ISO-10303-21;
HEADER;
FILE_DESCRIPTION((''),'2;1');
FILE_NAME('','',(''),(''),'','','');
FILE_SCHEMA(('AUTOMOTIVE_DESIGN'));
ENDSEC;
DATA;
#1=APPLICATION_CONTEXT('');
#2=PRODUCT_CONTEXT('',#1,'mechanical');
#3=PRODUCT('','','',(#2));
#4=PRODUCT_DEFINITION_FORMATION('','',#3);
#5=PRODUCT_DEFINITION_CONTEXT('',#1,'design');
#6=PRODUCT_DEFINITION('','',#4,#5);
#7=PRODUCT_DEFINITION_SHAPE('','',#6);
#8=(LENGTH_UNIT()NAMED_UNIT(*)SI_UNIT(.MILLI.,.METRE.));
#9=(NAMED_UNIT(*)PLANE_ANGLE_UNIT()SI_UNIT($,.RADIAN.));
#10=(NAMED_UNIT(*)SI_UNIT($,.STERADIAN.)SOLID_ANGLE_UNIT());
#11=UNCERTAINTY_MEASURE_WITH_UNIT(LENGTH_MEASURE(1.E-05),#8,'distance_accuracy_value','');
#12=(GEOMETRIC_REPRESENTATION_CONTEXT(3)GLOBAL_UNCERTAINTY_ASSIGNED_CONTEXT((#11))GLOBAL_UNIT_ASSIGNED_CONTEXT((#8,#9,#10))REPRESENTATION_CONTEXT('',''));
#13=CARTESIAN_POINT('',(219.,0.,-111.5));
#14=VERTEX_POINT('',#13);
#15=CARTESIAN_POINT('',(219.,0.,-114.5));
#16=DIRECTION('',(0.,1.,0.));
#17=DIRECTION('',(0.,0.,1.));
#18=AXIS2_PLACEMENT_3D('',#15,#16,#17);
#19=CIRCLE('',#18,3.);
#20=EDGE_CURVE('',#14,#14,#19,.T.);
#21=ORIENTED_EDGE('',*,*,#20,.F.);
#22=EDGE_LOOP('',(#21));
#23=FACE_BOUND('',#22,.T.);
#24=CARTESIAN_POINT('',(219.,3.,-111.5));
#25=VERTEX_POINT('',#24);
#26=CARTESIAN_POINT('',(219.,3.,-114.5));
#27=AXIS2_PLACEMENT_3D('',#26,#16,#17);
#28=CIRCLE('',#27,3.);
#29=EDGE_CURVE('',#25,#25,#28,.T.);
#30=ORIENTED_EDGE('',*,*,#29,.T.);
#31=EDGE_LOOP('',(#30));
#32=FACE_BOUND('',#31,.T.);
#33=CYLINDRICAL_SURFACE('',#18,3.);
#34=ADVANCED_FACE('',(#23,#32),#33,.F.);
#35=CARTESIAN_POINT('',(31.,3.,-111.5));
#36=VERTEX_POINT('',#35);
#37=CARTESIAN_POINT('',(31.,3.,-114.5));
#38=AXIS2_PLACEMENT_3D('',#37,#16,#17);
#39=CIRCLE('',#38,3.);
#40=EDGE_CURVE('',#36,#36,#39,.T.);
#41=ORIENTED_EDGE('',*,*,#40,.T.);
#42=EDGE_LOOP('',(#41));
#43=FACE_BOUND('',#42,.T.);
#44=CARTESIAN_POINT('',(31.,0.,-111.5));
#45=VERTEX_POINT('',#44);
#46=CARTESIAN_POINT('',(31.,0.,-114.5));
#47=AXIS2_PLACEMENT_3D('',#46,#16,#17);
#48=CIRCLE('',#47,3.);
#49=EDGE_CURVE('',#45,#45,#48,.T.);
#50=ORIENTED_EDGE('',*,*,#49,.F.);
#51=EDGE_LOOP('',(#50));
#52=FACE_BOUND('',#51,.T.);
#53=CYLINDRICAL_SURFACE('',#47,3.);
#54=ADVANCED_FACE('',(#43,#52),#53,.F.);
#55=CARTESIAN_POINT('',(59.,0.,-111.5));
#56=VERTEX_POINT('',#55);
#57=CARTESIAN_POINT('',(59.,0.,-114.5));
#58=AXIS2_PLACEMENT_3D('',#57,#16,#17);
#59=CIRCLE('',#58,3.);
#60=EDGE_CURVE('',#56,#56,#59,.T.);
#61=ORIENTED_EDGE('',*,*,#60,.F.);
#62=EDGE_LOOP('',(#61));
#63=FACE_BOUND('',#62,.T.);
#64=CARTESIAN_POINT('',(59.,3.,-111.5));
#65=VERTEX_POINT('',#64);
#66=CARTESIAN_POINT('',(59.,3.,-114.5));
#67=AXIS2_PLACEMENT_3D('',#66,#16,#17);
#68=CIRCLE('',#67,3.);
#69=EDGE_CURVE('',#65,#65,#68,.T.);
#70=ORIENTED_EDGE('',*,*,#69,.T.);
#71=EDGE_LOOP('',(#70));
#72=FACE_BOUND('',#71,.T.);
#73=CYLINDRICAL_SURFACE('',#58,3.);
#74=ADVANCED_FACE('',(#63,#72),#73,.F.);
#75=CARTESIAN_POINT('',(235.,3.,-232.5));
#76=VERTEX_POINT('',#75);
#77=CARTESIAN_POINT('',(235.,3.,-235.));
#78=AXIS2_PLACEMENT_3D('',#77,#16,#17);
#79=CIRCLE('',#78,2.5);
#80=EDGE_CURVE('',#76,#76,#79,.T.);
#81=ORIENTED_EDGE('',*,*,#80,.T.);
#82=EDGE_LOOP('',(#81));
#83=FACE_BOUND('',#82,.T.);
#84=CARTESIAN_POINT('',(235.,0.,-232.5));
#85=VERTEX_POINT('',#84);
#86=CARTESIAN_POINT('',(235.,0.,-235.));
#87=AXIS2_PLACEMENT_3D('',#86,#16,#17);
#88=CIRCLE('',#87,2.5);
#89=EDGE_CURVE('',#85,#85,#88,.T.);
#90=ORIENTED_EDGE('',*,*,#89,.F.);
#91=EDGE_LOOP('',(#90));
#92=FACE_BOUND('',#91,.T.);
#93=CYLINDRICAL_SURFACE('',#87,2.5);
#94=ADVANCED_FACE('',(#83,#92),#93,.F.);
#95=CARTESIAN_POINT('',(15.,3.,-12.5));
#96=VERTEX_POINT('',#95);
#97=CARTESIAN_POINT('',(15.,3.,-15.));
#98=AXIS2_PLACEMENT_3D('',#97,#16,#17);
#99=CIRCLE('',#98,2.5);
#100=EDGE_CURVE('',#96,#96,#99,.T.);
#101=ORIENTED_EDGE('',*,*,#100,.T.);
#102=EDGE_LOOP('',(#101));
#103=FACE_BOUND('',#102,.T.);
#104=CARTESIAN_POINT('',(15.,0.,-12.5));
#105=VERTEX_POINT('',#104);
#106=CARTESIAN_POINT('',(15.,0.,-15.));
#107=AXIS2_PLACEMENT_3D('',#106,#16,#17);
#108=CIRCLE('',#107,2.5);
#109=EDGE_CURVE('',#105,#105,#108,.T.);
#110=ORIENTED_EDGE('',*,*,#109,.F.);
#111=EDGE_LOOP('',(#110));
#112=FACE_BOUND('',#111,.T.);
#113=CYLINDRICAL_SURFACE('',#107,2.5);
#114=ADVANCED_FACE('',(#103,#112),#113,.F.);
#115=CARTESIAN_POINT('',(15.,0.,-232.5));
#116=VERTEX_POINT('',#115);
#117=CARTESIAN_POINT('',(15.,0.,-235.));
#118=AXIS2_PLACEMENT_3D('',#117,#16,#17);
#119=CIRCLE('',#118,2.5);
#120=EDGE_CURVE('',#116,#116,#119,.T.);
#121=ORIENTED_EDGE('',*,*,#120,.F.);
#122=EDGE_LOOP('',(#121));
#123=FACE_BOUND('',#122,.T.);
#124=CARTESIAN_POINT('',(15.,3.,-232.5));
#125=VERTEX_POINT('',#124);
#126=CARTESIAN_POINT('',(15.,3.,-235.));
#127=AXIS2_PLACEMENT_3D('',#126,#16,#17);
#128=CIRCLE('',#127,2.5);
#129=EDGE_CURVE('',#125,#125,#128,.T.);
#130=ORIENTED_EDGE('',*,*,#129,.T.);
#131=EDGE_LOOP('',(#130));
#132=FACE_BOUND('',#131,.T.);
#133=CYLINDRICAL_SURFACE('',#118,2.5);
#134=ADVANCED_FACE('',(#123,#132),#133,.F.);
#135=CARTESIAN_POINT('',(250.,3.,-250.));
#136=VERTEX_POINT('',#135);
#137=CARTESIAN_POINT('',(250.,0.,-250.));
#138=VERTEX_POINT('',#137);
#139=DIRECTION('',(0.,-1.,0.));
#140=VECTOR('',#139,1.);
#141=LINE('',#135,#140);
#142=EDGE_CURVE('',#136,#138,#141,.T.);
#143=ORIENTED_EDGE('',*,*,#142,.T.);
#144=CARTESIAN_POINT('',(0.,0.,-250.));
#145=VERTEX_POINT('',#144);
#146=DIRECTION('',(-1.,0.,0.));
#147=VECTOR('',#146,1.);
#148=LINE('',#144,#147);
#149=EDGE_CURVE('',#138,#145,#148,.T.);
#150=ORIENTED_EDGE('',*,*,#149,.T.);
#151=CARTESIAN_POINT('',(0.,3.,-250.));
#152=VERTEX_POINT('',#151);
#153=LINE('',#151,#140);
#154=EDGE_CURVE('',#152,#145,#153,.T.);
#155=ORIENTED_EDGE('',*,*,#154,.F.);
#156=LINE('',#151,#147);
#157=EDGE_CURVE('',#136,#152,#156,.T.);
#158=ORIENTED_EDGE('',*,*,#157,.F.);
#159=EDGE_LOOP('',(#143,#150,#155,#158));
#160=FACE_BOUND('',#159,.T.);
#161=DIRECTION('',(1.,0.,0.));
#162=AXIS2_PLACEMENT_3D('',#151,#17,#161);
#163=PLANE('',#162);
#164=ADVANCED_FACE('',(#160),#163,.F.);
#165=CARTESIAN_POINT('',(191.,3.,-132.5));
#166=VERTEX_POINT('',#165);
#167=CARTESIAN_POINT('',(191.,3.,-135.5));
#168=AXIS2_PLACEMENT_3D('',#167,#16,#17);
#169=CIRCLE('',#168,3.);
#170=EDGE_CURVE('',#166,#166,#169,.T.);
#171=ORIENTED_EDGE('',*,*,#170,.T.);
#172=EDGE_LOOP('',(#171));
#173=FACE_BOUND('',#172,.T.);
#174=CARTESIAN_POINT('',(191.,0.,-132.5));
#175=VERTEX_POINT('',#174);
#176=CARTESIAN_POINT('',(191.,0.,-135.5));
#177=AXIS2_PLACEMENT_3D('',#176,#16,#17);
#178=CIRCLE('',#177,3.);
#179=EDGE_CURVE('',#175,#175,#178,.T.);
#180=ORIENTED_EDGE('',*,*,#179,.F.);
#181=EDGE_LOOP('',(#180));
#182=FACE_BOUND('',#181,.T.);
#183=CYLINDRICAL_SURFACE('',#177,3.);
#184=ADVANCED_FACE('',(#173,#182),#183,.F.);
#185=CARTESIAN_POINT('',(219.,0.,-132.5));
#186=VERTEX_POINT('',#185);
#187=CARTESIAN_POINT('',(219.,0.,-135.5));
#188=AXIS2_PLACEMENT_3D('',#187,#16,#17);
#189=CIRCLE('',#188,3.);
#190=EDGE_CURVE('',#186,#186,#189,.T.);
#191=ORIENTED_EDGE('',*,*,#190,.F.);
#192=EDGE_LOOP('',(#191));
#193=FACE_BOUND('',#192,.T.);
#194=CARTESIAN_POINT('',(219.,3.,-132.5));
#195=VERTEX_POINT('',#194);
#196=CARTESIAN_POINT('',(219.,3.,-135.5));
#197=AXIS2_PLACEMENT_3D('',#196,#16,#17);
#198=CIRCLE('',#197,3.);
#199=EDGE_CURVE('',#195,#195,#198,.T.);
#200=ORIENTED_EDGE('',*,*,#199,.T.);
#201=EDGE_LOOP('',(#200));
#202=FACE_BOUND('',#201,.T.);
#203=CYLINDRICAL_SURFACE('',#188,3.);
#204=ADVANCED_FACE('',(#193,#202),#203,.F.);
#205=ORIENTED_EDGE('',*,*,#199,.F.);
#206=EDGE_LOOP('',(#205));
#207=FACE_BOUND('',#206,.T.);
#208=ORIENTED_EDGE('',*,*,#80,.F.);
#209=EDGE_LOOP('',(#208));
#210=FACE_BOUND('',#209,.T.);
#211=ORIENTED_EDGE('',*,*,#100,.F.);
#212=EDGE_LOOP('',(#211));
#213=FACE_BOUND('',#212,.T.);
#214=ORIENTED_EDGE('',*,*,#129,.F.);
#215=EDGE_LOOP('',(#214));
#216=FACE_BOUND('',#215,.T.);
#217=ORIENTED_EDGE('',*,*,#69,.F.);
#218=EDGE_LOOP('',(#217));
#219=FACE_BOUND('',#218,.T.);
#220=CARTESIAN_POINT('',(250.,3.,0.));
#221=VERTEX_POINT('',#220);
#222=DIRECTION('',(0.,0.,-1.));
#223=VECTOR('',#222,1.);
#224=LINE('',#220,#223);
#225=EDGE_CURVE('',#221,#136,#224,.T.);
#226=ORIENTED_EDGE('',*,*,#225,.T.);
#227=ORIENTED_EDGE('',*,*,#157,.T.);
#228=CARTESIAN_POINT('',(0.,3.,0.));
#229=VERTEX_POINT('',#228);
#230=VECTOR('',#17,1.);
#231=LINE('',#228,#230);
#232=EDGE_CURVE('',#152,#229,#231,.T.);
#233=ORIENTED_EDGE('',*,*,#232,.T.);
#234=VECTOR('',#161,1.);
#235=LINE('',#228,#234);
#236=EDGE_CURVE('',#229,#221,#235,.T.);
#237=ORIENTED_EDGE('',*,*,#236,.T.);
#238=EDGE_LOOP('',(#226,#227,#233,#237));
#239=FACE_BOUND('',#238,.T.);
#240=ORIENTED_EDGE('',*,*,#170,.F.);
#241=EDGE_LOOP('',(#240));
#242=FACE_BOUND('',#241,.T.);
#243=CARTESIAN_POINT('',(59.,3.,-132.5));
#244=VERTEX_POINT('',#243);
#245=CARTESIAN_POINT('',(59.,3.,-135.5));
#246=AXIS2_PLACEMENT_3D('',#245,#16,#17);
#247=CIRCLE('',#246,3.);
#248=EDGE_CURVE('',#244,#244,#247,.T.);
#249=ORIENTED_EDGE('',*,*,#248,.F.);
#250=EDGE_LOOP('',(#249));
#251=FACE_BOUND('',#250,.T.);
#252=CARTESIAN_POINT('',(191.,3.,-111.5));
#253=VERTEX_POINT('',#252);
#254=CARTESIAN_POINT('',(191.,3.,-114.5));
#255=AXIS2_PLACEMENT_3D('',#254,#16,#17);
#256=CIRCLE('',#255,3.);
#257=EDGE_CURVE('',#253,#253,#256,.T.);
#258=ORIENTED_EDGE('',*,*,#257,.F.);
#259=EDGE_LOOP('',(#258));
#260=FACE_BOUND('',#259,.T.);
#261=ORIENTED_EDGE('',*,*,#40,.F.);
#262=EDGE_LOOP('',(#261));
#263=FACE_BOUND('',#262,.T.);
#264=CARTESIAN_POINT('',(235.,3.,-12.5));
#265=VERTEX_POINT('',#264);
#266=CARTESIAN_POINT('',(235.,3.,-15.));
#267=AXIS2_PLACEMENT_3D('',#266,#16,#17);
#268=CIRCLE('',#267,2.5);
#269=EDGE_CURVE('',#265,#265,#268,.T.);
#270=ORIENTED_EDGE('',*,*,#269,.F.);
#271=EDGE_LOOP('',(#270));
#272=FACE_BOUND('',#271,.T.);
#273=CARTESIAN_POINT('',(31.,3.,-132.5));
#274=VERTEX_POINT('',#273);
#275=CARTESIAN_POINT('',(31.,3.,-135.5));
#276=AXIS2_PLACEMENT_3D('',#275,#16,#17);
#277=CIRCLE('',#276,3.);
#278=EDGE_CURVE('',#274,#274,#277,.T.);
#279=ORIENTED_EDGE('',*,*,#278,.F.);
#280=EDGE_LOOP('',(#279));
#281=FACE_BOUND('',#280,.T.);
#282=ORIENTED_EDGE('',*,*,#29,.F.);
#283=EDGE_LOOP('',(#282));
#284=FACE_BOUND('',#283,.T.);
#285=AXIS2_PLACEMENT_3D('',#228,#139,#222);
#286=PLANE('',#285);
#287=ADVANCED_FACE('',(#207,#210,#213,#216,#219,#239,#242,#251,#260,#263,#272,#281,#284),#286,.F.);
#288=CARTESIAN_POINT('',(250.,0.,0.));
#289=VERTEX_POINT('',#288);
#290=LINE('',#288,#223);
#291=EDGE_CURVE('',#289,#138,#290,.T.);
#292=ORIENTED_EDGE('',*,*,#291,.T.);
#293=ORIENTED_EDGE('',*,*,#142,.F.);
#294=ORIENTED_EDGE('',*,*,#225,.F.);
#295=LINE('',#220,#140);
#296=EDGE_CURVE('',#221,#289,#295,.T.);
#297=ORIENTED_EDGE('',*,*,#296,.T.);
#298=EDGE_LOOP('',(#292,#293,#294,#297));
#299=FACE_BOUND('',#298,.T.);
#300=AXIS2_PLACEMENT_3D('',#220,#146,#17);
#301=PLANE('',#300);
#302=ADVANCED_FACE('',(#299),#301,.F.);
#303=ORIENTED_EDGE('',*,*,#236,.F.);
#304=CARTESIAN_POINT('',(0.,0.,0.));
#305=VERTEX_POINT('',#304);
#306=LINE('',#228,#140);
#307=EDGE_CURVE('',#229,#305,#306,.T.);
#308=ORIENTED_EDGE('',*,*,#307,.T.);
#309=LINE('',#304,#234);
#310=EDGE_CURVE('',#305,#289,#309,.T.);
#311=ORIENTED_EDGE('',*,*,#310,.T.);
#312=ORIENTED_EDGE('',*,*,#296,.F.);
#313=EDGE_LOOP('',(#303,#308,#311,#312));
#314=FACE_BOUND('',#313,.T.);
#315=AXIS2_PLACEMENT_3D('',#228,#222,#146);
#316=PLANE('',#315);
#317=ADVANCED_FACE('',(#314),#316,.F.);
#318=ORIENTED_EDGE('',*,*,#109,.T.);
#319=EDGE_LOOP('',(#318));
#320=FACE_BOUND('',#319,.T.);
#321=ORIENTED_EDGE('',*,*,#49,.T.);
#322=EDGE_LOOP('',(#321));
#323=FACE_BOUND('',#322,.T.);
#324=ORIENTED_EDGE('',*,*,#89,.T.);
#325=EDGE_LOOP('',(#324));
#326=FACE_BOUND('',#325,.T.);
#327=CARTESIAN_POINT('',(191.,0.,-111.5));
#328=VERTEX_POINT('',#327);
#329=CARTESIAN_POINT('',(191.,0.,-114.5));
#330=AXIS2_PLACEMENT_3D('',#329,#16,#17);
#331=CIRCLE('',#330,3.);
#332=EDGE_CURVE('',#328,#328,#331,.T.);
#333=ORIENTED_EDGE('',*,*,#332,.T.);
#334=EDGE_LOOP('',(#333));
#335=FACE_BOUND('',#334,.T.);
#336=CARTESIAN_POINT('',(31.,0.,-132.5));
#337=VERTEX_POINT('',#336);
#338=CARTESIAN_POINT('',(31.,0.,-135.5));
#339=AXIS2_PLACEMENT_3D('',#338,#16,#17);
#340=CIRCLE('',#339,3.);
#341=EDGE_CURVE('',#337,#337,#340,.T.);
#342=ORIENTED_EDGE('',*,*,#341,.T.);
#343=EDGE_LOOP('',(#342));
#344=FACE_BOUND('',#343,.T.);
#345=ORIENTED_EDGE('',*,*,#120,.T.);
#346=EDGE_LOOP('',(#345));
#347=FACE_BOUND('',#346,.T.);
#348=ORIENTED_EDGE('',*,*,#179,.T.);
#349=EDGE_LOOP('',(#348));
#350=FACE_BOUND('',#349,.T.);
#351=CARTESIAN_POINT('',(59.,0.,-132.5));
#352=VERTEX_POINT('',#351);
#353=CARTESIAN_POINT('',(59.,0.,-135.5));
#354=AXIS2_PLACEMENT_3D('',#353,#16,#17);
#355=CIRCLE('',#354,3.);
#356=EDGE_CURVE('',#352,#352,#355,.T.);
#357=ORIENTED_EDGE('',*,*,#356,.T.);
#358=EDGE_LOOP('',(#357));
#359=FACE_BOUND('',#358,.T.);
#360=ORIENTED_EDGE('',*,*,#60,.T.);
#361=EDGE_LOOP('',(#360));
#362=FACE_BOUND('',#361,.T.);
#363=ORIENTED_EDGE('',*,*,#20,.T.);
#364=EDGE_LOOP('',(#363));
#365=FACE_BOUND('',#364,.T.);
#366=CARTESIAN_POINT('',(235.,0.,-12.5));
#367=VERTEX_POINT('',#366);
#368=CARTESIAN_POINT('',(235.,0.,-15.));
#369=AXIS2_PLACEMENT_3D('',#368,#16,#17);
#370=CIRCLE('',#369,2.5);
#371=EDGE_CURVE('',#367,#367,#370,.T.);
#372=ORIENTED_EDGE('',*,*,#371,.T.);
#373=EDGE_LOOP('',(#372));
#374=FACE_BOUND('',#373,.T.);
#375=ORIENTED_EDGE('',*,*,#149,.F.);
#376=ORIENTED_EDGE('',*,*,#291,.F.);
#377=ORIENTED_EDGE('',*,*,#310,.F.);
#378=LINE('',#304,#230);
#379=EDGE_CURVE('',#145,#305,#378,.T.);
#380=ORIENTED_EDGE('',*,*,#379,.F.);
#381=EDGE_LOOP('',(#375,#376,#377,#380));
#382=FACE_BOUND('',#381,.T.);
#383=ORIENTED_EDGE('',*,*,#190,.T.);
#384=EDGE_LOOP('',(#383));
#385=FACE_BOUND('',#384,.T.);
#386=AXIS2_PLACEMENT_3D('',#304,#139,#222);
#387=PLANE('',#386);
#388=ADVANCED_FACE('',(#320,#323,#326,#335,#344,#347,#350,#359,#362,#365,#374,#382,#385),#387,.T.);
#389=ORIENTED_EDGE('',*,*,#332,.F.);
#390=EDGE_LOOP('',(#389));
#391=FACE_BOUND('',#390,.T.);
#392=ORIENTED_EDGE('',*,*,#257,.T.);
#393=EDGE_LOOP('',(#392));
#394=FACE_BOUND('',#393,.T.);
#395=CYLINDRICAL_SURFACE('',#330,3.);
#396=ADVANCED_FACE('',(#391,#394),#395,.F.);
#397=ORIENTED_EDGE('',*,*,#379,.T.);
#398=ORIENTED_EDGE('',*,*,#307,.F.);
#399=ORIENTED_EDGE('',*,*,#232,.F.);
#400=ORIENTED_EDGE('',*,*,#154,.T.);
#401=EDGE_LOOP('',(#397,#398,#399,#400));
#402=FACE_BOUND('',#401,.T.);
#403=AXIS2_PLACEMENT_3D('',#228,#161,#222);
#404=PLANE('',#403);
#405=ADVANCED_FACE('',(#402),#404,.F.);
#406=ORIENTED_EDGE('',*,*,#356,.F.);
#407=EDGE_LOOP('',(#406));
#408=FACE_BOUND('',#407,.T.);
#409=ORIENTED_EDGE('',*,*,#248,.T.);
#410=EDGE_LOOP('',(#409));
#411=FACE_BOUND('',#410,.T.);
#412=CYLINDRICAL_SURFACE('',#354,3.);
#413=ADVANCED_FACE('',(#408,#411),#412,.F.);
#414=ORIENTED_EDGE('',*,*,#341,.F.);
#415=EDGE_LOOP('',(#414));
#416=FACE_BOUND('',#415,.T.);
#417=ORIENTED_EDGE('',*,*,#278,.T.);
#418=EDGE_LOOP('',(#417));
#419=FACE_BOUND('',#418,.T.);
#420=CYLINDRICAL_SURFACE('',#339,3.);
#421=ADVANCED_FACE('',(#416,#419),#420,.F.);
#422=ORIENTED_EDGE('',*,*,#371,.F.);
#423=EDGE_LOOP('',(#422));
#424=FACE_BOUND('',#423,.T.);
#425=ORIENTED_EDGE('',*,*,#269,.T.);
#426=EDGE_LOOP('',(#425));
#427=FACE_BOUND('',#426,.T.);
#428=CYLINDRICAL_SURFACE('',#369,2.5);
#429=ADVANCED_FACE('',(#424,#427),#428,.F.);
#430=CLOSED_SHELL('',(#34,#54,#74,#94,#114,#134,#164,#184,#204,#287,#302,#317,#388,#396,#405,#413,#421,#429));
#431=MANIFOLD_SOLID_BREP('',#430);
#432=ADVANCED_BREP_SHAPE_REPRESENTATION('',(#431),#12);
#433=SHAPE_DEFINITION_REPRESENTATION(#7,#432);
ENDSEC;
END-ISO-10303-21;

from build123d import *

# Parameters (mm, degrees)
SKETCH1_W           = 250
SKETCH1_H           = 250
BOSS_EXTRUDE1_DEPTH = 3
SKETCH2_R           = 2.5
SKETCH2_R_2         = 3
CUT_EXTRUDE1_DEPTH  = 354.566118286


with BuildPart() as part:
    # Sketch1 → Boss-Extrude1 (new body)
    with BuildSketch(Plane(origin=(0, 0, 0), x_dir=(1, 0, 0), z_dir=(0, 1, 0))):
        with Locations((125, 125)):
            Rectangle(SKETCH1_W, SKETCH1_H)
    extrude(amount=BOSS_EXTRUDE1_DEPTH)

    # Sketch2 → Cut-Extrude1 (cut, through all)
    with BuildSketch(Plane(origin=(0, 3, 0), x_dir=(1, 0, 0), z_dir=(0, 1, 0))):
        with Locations(Location((15, 235, 0), (0, 0, 270))):
            Circle(SKETCH2_R)
        with Locations(Location((235, 235, 0), (0, 0, 270))):
            Circle(SKETCH2_R)
        with Locations(Location((235, 15, 0), (0, 0, 270))):
            Circle(SKETCH2_R)
        with Locations(Location((15, 15, 0), (0, 0, 270))):
            Circle(SKETCH2_R)
        with Locations(Location((31, 135.5, 0), (0, 0, 270))):
            Circle(SKETCH2_R_2)
        with Locations(Location((59, 135.5, 0), (0, 0, 270))):
            Circle(SKETCH2_R_2)
        with Locations(Location((59, 114.5, 0), (0, 0, 270))):
            Circle(SKETCH2_R_2)
        with Locations(Location((31, 114.5, 0), (0, 0, 270))):
            Circle(SKETCH2_R_2)
        with Locations(Location((191, 135.5, 0), (0, 0, 270))):
            Circle(SKETCH2_R_2)
        with Locations(Location((219, 135.5, 0), (0, 0, 270))):
            Circle(SKETCH2_R_2)
        with Locations(Location((219, 114.5, 0), (0, 0, 270))):
            Circle(SKETCH2_R_2)
        with Locations(Location((191, 114.5, 0), (0, 0, 270))):
            Circle(SKETCH2_R_2)
    extrude(amount=-CUT_EXTRUDE1_DEPTH, mode=Mode.SUBTRACT)


solid = part.part
